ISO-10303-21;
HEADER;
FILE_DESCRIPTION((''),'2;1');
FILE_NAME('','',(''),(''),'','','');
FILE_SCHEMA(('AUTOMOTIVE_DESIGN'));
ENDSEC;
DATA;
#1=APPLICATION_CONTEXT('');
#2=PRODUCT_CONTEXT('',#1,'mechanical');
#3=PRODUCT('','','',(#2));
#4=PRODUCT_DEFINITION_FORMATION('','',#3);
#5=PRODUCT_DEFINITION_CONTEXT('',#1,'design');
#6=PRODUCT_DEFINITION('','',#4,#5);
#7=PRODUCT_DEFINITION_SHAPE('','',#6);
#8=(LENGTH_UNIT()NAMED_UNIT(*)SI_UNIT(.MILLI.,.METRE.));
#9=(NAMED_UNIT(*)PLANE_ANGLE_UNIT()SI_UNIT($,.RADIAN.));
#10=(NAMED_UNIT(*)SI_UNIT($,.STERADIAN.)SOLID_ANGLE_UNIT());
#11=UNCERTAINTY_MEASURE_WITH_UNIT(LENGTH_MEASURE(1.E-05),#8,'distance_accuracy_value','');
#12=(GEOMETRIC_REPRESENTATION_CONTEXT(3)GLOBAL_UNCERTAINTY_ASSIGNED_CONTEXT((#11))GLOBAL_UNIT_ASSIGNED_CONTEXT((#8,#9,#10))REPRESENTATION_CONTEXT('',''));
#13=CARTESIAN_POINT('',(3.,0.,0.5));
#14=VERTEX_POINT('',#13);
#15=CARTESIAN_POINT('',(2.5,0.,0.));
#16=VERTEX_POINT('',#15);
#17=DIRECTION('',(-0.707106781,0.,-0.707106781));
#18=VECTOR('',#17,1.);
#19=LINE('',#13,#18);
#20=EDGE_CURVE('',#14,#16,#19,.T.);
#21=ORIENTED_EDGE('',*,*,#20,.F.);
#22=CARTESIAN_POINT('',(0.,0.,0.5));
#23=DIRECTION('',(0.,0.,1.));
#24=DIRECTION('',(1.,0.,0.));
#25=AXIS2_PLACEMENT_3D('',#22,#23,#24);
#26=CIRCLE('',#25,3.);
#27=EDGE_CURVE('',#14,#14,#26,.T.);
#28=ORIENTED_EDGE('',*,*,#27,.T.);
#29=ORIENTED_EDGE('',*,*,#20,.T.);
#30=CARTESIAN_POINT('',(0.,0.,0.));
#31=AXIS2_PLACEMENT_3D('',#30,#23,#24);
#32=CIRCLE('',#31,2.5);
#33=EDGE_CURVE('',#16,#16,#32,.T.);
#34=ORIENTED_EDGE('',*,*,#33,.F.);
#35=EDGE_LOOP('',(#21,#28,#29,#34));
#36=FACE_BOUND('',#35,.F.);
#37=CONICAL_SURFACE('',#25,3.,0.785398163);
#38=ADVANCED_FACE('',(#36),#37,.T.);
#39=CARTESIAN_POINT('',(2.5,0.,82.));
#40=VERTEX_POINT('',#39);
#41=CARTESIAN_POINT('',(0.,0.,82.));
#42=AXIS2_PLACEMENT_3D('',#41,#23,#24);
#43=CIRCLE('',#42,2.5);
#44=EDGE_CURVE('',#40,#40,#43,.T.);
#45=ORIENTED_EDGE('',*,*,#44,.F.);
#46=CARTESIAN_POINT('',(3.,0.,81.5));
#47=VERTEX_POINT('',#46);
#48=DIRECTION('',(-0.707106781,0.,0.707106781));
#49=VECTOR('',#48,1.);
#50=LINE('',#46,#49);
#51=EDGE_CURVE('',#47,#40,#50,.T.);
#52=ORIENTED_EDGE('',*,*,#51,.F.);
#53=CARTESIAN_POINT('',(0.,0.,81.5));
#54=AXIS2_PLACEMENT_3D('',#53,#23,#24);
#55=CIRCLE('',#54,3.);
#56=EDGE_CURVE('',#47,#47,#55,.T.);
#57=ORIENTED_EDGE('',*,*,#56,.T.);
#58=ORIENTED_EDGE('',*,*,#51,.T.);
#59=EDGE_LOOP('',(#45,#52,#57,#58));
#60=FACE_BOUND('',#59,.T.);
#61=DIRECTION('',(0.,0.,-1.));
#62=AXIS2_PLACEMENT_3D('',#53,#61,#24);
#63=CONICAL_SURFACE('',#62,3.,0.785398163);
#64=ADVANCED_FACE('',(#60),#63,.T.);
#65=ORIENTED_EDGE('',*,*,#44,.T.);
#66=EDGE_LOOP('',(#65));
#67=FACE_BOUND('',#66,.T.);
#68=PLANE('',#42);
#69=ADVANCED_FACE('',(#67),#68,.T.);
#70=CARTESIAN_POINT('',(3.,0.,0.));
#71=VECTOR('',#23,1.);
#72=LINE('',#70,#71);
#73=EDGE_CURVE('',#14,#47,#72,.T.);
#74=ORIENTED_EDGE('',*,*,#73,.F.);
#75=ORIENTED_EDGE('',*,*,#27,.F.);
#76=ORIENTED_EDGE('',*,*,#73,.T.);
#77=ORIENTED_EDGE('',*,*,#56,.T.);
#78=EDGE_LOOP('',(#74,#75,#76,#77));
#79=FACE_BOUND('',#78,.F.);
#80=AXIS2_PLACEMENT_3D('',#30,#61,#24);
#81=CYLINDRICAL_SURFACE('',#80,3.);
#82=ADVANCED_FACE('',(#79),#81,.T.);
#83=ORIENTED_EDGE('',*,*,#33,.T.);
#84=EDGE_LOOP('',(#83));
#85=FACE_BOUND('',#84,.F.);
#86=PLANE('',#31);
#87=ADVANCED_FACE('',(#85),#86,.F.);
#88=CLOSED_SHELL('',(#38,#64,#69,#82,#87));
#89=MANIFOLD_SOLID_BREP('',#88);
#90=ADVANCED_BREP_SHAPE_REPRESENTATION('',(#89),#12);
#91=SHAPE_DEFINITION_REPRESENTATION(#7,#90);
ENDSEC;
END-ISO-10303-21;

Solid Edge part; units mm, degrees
sketch "Sketch1" plane through (0, 0, 0) normal (0, 0, 1) x (1, 0, 0)
  circle A0 centre (0, 0) radius 3
extrude "ExtrudedProtrusion_1" add sketch "Sketch1" along normal blind 82
chamfer "Chamfer1" distance 0.5 angle 45 2 edges at (-3, 0, 0) (-3, 0, 82)
cosmetic_thread "Thread1" size "M6"
properties material "Steel"
